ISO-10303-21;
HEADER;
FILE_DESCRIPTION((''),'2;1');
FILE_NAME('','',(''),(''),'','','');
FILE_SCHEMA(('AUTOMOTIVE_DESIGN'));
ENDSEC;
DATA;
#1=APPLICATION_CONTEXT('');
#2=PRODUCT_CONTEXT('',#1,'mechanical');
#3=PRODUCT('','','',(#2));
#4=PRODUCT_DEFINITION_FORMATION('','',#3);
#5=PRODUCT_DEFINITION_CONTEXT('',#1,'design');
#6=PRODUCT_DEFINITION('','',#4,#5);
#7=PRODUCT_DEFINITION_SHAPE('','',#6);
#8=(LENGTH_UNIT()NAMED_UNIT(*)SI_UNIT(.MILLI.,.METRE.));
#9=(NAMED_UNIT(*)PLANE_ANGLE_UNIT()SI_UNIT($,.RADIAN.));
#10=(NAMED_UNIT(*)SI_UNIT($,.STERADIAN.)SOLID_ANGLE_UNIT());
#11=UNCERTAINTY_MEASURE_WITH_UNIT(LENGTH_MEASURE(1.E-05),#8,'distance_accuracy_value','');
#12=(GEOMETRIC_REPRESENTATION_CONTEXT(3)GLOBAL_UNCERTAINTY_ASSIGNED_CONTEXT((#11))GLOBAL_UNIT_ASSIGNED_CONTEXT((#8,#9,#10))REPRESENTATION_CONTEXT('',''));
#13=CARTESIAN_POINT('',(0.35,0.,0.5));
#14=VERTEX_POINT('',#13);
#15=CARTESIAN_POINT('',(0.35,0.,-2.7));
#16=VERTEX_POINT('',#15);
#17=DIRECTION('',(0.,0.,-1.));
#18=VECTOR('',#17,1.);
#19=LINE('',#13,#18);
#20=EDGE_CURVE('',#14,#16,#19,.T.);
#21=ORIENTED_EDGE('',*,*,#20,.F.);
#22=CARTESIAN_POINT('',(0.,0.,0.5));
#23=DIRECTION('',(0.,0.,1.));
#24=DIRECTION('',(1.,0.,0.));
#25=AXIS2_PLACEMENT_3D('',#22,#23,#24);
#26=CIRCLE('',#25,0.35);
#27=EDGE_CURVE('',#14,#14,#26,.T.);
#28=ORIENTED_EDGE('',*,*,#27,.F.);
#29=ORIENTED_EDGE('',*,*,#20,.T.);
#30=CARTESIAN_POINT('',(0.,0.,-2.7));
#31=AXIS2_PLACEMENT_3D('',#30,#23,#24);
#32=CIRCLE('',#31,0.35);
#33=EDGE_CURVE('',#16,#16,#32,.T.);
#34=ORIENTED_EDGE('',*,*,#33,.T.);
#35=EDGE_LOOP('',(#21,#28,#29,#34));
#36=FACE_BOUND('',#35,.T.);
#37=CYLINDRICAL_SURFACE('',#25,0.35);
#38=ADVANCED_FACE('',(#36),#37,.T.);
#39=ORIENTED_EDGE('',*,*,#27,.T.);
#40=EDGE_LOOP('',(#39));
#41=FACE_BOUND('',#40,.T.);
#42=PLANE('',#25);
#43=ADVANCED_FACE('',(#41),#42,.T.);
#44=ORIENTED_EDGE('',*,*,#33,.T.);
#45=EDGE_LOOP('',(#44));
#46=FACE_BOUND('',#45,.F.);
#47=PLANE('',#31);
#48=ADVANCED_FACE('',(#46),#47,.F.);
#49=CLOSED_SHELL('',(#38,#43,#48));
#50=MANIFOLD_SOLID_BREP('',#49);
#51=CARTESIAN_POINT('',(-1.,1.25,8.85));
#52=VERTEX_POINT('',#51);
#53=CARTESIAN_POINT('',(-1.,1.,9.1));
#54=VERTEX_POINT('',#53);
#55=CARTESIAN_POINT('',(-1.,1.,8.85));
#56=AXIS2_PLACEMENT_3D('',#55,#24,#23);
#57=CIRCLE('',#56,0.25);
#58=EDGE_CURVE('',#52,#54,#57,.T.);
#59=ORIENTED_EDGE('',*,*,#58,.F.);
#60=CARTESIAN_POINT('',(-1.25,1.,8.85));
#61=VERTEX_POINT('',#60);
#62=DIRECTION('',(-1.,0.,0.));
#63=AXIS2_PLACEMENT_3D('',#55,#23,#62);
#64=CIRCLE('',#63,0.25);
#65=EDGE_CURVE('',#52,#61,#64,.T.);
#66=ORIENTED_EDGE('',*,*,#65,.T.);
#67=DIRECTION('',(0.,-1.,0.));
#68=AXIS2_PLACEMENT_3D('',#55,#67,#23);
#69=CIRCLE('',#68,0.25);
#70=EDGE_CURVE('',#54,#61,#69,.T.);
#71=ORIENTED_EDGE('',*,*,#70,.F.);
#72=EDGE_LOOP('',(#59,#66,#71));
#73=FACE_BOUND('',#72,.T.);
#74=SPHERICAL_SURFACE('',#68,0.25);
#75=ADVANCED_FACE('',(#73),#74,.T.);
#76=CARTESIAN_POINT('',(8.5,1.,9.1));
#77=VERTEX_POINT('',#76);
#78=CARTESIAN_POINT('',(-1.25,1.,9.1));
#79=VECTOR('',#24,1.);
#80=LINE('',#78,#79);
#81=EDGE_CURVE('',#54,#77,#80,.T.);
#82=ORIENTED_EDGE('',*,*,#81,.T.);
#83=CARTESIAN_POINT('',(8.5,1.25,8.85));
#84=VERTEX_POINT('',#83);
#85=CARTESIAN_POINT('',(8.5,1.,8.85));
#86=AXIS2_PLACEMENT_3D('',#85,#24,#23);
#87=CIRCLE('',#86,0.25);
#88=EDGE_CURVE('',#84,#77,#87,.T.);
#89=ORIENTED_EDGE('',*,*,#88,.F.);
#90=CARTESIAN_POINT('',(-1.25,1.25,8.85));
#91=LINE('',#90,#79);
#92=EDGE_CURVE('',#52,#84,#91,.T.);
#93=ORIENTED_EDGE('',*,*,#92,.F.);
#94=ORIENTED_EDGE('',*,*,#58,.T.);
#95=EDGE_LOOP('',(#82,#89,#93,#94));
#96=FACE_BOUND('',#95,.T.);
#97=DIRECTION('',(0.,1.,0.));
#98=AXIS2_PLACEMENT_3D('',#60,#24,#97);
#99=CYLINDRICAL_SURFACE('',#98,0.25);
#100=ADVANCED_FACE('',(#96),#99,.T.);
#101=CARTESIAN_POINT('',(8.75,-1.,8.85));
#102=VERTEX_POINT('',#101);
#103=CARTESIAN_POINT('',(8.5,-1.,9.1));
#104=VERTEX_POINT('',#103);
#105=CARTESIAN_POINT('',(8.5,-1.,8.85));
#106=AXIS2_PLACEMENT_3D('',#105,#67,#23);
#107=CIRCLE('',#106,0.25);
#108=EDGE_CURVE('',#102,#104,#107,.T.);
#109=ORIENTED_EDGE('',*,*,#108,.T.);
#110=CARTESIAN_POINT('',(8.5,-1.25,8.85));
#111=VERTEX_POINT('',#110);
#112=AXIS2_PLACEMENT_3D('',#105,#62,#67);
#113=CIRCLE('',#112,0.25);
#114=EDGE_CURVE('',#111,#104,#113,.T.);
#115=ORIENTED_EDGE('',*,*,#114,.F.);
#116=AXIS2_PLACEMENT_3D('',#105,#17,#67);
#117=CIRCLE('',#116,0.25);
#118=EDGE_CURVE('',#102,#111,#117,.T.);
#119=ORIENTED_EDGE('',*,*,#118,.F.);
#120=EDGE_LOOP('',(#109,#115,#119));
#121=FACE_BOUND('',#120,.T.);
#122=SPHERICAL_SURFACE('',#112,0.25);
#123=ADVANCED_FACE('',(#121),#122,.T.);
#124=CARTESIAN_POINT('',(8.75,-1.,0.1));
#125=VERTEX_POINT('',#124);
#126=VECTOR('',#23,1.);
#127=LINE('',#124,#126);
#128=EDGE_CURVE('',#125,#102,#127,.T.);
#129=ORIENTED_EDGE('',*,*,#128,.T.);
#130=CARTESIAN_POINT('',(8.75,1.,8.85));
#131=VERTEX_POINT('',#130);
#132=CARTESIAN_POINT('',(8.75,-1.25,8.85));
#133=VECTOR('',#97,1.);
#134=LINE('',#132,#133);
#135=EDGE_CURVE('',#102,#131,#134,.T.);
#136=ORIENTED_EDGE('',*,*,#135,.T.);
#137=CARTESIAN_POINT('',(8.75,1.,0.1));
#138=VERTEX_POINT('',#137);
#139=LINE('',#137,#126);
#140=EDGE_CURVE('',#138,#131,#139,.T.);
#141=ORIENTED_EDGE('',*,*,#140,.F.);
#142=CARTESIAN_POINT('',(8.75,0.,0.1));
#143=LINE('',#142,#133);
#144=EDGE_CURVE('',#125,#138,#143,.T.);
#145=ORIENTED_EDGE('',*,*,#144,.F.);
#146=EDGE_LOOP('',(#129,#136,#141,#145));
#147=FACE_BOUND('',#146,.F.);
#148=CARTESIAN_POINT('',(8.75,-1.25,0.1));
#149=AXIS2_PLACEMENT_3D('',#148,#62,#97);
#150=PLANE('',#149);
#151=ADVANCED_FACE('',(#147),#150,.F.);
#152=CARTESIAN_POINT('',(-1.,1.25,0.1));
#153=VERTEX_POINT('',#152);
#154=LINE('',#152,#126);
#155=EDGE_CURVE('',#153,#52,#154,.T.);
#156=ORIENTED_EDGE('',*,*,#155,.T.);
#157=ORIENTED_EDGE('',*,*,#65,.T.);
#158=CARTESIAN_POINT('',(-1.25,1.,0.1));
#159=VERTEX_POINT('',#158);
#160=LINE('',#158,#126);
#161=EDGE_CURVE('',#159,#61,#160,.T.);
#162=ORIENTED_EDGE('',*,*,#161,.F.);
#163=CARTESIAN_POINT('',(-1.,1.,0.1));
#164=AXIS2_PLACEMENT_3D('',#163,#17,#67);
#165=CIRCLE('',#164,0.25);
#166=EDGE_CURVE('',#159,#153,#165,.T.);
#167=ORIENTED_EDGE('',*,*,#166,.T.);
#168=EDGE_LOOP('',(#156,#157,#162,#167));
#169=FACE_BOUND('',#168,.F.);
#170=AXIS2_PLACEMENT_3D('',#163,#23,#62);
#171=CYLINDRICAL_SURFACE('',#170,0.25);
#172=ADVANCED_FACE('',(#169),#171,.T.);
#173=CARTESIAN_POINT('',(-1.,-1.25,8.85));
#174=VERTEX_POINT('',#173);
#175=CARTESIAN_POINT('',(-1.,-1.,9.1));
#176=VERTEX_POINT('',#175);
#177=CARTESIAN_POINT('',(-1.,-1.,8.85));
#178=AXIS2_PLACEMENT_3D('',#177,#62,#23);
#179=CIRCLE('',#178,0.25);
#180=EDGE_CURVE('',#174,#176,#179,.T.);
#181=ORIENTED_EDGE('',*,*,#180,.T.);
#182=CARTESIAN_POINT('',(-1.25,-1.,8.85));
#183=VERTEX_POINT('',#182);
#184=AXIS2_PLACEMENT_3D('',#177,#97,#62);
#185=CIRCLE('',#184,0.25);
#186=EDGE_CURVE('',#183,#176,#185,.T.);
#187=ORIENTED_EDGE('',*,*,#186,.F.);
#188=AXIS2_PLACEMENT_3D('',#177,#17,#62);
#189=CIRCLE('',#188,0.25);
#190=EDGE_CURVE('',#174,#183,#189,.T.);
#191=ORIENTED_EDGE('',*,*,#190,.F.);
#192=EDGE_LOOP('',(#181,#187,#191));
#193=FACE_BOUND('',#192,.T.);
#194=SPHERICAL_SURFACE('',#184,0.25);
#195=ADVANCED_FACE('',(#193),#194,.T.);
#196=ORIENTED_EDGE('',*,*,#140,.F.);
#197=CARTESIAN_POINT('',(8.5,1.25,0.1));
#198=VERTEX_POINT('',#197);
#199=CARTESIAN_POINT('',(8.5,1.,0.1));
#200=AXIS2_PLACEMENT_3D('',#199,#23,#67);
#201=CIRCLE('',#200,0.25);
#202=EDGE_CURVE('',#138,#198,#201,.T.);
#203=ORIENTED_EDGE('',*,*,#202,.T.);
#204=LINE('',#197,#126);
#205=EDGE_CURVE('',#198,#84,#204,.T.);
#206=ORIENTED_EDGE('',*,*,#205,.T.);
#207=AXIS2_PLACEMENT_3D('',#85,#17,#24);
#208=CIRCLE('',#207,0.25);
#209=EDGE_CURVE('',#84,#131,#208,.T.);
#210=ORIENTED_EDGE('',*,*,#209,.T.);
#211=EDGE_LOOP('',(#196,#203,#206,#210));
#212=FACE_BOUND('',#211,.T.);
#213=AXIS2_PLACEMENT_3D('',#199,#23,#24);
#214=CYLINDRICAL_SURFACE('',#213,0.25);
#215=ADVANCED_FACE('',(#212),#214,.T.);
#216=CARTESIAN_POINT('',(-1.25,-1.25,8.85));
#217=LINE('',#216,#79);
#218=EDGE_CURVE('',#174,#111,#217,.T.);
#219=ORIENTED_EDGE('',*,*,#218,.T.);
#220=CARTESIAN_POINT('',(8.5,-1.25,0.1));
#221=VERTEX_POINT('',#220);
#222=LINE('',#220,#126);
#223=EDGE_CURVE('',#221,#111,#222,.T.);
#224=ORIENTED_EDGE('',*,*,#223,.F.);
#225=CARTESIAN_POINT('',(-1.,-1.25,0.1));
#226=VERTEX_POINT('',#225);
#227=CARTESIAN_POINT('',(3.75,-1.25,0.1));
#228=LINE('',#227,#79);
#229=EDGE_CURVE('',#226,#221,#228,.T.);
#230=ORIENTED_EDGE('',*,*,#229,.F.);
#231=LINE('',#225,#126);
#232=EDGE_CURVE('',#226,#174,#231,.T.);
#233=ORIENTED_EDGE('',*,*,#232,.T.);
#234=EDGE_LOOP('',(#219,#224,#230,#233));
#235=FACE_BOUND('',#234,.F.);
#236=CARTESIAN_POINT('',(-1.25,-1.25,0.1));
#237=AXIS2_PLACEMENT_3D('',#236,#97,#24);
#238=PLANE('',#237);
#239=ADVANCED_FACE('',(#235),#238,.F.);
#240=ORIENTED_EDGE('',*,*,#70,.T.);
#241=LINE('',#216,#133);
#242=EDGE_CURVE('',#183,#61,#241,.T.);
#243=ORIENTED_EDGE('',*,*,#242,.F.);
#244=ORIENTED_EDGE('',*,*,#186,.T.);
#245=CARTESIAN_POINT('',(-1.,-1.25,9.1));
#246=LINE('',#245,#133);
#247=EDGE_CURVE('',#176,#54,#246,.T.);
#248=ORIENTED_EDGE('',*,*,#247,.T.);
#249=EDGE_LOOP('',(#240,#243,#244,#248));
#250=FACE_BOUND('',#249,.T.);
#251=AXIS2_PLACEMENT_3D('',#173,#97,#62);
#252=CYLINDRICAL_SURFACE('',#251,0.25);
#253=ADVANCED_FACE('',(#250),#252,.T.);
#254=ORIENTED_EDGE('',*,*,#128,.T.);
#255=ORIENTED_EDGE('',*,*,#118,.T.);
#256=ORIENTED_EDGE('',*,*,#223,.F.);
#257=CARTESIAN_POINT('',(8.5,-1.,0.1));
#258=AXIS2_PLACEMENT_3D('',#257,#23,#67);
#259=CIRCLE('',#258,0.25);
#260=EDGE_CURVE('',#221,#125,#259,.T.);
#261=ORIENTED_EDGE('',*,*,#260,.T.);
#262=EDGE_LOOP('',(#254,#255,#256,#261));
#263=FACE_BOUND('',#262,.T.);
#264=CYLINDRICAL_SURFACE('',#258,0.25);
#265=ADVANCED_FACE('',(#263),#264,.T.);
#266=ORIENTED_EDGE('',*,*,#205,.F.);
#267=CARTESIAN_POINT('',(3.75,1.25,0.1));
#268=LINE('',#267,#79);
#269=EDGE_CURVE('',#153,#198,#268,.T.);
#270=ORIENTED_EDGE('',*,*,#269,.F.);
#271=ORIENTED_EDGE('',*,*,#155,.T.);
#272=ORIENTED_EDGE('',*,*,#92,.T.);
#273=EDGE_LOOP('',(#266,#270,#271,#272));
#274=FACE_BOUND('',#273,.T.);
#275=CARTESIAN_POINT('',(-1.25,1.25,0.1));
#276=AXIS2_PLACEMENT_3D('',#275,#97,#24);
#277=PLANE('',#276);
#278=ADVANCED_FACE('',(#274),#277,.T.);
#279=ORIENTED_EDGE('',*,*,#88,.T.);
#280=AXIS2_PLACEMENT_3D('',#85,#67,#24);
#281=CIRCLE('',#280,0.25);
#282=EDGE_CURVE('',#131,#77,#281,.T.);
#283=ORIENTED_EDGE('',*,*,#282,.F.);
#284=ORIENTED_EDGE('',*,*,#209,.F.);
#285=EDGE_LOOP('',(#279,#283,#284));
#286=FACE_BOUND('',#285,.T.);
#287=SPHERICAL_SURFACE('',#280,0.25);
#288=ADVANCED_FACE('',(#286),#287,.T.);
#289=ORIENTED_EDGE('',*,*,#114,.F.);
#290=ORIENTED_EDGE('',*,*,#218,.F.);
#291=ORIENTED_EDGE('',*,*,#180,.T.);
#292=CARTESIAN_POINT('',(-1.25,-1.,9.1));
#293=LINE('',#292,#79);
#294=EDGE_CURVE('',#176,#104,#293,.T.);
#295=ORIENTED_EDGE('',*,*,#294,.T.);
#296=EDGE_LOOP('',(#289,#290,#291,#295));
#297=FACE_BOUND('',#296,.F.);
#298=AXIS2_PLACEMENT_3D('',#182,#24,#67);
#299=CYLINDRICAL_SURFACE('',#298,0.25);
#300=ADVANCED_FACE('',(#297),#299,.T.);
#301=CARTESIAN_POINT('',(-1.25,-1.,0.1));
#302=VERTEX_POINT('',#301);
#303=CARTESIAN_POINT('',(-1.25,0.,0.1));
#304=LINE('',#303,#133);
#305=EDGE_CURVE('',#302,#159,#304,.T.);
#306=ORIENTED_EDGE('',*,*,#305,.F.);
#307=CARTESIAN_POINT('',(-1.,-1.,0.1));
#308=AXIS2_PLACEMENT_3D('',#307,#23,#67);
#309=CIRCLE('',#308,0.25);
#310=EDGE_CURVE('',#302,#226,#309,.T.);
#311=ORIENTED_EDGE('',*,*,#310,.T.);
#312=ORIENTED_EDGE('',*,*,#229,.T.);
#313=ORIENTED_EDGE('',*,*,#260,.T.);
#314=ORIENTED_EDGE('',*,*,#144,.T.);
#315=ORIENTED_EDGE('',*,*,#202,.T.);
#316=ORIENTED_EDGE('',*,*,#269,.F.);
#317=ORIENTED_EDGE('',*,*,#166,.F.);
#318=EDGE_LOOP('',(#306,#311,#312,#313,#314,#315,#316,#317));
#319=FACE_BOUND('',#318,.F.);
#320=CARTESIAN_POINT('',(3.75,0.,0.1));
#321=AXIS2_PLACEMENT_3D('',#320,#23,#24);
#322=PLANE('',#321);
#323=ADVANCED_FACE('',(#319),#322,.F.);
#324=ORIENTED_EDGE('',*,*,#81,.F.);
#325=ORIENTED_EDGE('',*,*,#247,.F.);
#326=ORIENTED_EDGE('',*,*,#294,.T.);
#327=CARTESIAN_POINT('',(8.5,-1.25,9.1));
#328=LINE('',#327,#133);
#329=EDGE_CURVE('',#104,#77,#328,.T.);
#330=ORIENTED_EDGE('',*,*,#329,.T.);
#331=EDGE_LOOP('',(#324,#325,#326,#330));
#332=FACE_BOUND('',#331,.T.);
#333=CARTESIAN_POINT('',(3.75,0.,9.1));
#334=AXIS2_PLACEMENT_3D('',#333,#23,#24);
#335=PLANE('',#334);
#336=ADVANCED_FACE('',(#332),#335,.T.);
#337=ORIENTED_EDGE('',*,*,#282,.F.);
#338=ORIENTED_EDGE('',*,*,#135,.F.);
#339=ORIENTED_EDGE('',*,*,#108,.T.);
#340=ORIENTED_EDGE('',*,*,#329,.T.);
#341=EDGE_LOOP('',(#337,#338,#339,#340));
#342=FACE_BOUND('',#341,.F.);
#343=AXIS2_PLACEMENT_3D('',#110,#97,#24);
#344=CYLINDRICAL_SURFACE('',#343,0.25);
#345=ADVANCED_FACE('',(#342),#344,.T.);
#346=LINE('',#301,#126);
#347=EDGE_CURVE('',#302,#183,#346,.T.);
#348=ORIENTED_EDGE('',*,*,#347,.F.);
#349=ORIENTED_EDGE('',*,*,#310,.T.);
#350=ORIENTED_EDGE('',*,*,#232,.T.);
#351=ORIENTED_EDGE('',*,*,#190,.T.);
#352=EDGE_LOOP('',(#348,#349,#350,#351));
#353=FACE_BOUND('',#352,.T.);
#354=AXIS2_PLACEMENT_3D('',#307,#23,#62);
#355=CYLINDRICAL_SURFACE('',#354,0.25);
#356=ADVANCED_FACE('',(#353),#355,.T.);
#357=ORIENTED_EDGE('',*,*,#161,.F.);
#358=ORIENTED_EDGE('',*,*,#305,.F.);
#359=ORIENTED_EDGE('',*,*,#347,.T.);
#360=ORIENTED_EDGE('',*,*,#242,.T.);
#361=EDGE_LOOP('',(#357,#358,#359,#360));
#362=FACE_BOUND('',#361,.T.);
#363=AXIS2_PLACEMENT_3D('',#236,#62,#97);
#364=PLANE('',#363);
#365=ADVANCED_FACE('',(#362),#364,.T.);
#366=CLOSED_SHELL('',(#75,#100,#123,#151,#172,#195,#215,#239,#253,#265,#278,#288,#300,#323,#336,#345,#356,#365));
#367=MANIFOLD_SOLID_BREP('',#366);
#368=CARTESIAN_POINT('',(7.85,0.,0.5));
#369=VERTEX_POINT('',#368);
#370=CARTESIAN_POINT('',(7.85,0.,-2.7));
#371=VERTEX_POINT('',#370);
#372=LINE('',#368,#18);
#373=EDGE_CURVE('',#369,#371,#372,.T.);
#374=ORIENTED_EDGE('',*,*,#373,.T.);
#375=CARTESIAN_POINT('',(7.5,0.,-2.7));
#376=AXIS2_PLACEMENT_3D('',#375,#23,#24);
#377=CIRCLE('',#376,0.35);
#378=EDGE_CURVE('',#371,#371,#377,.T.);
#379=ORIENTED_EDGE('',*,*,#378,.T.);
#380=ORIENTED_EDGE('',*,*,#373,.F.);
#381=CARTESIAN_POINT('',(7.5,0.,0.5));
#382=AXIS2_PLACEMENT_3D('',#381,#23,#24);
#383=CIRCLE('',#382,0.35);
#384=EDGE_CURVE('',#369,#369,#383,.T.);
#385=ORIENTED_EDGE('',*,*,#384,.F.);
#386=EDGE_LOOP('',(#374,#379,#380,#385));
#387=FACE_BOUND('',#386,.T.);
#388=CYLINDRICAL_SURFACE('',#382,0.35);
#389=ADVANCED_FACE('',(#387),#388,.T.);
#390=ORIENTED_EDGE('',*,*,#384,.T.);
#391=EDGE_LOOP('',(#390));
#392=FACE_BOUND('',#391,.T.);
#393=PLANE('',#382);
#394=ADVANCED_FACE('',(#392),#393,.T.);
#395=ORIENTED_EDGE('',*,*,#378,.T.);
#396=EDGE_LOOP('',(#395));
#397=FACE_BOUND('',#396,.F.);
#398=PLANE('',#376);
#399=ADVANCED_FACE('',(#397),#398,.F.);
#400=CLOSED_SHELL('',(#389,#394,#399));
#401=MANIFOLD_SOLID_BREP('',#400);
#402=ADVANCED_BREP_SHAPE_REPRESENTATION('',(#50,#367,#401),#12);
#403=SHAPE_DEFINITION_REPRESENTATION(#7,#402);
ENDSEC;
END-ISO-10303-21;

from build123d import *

# Parameters (mm, degrees)
SKETCH_W     = 10
SKETCH_H     = 2.5
PAD_DEPTH    = 9
FILLET_R     = 0.25
SKETCH001_R  = 0.35
PAD001_DEPTH = 3.2


with BuildPart() as fillet_body:
    # Sketch → Pad (new body)
    with BuildSketch(Plane.XY.offset(0.1)):
        with Locations((3.75, 0)):
            Rectangle(SKETCH_W, SKETCH_H)
    extrude(amount=PAD_DEPTH)

    # Fillet
    fillet_edges = [fillet_body.edges().sort_by_distance(p)[0] for p in [
        (-1.25, 0, 9.1),
        (-1.25, -1.25, 4.6),
        (3.75, -1.25, 9.1),
        (8.75, -1.25, 4.6),
        (8.75, 0, 9.1),
        (8.75, 1.25, 4.6),
        (3.75, 1.25, 9.1),
        (-1.25, 1.25, 4.6),
    ]]
    fillet(fillet_edges, radius=FILLET_R)


with BuildPart() as pad001:
    # Sketch001 → Pad001 (new body)
    with BuildSketch(Plane.XY.offset(0.5)):
        Circle(SKETCH001_R)
        with Locations((7.5, 0)):
            Circle(SKETCH001_R)
    extrude(amount=-PAD001_DEPTH)


solid = Compound([fillet_body.part, pad001.part])
